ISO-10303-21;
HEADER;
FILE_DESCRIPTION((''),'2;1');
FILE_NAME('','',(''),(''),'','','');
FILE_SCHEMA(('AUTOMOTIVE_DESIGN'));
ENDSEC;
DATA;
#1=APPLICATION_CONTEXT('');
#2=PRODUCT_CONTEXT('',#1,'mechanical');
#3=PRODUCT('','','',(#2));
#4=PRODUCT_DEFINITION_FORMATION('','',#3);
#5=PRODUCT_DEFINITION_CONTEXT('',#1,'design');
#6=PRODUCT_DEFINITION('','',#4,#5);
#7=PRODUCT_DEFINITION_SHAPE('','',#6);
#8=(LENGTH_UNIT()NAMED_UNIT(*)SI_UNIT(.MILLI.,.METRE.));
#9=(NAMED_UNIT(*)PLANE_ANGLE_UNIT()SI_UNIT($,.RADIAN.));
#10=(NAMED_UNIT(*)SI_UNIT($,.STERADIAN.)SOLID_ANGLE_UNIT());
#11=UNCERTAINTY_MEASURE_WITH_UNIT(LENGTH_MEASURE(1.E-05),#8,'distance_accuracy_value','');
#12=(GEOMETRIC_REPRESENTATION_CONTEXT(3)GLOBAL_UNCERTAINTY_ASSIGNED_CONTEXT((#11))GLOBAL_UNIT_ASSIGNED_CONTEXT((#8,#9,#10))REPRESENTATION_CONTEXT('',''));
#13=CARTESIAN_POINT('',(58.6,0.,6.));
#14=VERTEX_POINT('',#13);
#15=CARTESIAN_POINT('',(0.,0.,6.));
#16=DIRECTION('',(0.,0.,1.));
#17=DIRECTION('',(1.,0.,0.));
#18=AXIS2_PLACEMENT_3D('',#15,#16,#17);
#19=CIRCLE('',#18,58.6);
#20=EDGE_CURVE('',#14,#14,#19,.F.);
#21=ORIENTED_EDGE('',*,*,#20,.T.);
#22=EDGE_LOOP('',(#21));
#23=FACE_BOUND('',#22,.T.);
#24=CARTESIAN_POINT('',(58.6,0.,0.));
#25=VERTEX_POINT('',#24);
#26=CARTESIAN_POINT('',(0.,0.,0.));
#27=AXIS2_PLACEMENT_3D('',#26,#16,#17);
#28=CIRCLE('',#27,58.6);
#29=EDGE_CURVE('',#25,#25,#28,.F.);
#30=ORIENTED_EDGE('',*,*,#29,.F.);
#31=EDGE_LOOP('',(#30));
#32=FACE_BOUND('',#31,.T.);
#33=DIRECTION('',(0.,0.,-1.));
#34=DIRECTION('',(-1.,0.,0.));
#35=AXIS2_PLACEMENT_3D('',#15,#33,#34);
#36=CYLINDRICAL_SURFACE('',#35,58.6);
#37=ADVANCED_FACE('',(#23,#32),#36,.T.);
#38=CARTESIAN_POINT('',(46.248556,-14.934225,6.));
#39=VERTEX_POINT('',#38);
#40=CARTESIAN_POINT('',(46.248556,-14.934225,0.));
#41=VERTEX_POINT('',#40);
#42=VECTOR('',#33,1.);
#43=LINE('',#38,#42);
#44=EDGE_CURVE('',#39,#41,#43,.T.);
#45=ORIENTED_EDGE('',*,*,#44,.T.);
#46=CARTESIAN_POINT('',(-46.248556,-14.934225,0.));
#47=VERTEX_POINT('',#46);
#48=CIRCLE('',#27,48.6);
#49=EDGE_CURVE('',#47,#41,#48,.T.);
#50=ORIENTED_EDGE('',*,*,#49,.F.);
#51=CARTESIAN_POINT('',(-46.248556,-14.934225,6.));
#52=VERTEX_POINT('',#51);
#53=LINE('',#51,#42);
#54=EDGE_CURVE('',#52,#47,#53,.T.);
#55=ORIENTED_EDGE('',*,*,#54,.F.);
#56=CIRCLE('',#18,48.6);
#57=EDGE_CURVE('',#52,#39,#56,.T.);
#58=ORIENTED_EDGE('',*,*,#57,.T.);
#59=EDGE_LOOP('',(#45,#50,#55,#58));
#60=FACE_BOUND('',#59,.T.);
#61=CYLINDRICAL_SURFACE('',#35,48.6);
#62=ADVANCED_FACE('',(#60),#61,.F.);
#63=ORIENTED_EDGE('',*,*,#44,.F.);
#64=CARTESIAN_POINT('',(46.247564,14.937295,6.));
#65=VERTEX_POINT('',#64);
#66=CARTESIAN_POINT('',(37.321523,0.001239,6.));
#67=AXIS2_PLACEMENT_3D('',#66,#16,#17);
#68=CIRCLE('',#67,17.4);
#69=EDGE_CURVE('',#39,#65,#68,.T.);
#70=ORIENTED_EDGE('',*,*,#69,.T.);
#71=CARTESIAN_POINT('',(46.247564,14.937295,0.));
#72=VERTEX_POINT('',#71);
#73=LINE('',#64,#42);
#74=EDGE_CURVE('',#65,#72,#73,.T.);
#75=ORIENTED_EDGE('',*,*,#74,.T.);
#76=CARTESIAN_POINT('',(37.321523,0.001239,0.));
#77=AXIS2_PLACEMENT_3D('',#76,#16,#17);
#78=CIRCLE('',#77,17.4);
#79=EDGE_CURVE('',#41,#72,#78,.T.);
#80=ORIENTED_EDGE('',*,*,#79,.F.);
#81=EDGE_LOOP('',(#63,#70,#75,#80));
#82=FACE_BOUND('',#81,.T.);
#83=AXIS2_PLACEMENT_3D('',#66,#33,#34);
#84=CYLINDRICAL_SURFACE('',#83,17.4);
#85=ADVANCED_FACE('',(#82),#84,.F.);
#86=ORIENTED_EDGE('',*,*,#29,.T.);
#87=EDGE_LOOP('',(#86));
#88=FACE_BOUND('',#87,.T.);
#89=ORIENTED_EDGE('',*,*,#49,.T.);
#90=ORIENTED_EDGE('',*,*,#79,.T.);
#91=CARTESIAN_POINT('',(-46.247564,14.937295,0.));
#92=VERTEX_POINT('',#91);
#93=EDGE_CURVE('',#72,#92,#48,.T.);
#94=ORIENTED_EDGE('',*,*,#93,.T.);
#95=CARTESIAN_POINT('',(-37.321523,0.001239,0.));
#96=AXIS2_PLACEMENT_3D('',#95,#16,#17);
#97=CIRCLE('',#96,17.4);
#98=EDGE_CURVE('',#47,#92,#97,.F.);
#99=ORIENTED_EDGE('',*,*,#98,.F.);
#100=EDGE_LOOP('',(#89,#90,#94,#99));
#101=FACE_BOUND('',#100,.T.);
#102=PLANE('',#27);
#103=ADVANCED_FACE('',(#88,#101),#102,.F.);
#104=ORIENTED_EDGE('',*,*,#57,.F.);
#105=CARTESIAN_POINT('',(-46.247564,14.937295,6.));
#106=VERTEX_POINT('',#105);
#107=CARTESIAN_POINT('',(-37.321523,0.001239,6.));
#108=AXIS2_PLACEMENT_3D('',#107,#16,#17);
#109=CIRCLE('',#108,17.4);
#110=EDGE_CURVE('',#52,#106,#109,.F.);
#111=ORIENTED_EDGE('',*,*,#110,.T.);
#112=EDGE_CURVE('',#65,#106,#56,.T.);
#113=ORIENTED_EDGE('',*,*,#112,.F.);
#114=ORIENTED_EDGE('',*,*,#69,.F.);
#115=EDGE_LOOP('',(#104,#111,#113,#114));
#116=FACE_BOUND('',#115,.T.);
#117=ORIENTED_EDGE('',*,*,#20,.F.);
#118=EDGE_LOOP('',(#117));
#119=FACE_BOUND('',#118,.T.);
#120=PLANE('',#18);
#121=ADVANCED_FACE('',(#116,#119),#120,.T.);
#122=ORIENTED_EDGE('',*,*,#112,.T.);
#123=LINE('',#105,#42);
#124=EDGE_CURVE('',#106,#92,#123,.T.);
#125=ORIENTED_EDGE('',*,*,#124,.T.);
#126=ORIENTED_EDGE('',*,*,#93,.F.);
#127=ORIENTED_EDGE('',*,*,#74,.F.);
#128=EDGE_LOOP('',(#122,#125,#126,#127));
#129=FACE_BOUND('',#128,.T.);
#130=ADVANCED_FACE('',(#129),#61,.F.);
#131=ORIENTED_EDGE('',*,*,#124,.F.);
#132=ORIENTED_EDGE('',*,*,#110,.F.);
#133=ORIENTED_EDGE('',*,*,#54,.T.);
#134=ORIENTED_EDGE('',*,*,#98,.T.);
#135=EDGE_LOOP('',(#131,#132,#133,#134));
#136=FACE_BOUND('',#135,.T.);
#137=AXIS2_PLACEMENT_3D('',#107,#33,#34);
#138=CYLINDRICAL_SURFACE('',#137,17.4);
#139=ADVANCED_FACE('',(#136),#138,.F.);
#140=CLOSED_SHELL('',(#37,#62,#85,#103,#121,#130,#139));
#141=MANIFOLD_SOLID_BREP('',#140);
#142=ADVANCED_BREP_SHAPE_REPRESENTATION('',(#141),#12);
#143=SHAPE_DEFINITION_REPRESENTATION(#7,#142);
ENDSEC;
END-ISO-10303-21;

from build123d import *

# Parameters (mm, degrees)
P_IDAT_VYSUNUT_M1_DEPTH = 6


with BuildPart() as part:
    # Skica1 → Přidat vysunutím1 (new body)
    with BuildSketch(Plane.XY):
        with BuildLine():
            ThreePointArc((54.607141883, 21.260763283), (0, -58.6), (-54.607141883, 21.260763283))
            ThreePointArc((-54.607141883, 21.260763283), (0, 58.6), (54.607141883, 21.260763283))
        make_face()
        with BuildLine():
            ThreePointArc((-46.248555772, -14.934225425), (0, -48.6), (46.248555772, -14.934225425))
            ThreePointArc((46.248555772, -14.934225425), (54.72152315, 0.001816211), (46.247564334, 14.937295377))
            ThreePointArc((46.247564334, 14.937295377), (0, 48.6), (-46.247564334, 14.937295377))
            ThreePointArc((-46.247564334, 14.937295377), (-54.72152315, 0.001816211), (-46.248555772, -14.934225425))
        make_face(mode=Mode.SUBTRACT)
    extrude(amount=P_IDAT_VYSUNUT_M1_DEPTH)


solid = part.part
